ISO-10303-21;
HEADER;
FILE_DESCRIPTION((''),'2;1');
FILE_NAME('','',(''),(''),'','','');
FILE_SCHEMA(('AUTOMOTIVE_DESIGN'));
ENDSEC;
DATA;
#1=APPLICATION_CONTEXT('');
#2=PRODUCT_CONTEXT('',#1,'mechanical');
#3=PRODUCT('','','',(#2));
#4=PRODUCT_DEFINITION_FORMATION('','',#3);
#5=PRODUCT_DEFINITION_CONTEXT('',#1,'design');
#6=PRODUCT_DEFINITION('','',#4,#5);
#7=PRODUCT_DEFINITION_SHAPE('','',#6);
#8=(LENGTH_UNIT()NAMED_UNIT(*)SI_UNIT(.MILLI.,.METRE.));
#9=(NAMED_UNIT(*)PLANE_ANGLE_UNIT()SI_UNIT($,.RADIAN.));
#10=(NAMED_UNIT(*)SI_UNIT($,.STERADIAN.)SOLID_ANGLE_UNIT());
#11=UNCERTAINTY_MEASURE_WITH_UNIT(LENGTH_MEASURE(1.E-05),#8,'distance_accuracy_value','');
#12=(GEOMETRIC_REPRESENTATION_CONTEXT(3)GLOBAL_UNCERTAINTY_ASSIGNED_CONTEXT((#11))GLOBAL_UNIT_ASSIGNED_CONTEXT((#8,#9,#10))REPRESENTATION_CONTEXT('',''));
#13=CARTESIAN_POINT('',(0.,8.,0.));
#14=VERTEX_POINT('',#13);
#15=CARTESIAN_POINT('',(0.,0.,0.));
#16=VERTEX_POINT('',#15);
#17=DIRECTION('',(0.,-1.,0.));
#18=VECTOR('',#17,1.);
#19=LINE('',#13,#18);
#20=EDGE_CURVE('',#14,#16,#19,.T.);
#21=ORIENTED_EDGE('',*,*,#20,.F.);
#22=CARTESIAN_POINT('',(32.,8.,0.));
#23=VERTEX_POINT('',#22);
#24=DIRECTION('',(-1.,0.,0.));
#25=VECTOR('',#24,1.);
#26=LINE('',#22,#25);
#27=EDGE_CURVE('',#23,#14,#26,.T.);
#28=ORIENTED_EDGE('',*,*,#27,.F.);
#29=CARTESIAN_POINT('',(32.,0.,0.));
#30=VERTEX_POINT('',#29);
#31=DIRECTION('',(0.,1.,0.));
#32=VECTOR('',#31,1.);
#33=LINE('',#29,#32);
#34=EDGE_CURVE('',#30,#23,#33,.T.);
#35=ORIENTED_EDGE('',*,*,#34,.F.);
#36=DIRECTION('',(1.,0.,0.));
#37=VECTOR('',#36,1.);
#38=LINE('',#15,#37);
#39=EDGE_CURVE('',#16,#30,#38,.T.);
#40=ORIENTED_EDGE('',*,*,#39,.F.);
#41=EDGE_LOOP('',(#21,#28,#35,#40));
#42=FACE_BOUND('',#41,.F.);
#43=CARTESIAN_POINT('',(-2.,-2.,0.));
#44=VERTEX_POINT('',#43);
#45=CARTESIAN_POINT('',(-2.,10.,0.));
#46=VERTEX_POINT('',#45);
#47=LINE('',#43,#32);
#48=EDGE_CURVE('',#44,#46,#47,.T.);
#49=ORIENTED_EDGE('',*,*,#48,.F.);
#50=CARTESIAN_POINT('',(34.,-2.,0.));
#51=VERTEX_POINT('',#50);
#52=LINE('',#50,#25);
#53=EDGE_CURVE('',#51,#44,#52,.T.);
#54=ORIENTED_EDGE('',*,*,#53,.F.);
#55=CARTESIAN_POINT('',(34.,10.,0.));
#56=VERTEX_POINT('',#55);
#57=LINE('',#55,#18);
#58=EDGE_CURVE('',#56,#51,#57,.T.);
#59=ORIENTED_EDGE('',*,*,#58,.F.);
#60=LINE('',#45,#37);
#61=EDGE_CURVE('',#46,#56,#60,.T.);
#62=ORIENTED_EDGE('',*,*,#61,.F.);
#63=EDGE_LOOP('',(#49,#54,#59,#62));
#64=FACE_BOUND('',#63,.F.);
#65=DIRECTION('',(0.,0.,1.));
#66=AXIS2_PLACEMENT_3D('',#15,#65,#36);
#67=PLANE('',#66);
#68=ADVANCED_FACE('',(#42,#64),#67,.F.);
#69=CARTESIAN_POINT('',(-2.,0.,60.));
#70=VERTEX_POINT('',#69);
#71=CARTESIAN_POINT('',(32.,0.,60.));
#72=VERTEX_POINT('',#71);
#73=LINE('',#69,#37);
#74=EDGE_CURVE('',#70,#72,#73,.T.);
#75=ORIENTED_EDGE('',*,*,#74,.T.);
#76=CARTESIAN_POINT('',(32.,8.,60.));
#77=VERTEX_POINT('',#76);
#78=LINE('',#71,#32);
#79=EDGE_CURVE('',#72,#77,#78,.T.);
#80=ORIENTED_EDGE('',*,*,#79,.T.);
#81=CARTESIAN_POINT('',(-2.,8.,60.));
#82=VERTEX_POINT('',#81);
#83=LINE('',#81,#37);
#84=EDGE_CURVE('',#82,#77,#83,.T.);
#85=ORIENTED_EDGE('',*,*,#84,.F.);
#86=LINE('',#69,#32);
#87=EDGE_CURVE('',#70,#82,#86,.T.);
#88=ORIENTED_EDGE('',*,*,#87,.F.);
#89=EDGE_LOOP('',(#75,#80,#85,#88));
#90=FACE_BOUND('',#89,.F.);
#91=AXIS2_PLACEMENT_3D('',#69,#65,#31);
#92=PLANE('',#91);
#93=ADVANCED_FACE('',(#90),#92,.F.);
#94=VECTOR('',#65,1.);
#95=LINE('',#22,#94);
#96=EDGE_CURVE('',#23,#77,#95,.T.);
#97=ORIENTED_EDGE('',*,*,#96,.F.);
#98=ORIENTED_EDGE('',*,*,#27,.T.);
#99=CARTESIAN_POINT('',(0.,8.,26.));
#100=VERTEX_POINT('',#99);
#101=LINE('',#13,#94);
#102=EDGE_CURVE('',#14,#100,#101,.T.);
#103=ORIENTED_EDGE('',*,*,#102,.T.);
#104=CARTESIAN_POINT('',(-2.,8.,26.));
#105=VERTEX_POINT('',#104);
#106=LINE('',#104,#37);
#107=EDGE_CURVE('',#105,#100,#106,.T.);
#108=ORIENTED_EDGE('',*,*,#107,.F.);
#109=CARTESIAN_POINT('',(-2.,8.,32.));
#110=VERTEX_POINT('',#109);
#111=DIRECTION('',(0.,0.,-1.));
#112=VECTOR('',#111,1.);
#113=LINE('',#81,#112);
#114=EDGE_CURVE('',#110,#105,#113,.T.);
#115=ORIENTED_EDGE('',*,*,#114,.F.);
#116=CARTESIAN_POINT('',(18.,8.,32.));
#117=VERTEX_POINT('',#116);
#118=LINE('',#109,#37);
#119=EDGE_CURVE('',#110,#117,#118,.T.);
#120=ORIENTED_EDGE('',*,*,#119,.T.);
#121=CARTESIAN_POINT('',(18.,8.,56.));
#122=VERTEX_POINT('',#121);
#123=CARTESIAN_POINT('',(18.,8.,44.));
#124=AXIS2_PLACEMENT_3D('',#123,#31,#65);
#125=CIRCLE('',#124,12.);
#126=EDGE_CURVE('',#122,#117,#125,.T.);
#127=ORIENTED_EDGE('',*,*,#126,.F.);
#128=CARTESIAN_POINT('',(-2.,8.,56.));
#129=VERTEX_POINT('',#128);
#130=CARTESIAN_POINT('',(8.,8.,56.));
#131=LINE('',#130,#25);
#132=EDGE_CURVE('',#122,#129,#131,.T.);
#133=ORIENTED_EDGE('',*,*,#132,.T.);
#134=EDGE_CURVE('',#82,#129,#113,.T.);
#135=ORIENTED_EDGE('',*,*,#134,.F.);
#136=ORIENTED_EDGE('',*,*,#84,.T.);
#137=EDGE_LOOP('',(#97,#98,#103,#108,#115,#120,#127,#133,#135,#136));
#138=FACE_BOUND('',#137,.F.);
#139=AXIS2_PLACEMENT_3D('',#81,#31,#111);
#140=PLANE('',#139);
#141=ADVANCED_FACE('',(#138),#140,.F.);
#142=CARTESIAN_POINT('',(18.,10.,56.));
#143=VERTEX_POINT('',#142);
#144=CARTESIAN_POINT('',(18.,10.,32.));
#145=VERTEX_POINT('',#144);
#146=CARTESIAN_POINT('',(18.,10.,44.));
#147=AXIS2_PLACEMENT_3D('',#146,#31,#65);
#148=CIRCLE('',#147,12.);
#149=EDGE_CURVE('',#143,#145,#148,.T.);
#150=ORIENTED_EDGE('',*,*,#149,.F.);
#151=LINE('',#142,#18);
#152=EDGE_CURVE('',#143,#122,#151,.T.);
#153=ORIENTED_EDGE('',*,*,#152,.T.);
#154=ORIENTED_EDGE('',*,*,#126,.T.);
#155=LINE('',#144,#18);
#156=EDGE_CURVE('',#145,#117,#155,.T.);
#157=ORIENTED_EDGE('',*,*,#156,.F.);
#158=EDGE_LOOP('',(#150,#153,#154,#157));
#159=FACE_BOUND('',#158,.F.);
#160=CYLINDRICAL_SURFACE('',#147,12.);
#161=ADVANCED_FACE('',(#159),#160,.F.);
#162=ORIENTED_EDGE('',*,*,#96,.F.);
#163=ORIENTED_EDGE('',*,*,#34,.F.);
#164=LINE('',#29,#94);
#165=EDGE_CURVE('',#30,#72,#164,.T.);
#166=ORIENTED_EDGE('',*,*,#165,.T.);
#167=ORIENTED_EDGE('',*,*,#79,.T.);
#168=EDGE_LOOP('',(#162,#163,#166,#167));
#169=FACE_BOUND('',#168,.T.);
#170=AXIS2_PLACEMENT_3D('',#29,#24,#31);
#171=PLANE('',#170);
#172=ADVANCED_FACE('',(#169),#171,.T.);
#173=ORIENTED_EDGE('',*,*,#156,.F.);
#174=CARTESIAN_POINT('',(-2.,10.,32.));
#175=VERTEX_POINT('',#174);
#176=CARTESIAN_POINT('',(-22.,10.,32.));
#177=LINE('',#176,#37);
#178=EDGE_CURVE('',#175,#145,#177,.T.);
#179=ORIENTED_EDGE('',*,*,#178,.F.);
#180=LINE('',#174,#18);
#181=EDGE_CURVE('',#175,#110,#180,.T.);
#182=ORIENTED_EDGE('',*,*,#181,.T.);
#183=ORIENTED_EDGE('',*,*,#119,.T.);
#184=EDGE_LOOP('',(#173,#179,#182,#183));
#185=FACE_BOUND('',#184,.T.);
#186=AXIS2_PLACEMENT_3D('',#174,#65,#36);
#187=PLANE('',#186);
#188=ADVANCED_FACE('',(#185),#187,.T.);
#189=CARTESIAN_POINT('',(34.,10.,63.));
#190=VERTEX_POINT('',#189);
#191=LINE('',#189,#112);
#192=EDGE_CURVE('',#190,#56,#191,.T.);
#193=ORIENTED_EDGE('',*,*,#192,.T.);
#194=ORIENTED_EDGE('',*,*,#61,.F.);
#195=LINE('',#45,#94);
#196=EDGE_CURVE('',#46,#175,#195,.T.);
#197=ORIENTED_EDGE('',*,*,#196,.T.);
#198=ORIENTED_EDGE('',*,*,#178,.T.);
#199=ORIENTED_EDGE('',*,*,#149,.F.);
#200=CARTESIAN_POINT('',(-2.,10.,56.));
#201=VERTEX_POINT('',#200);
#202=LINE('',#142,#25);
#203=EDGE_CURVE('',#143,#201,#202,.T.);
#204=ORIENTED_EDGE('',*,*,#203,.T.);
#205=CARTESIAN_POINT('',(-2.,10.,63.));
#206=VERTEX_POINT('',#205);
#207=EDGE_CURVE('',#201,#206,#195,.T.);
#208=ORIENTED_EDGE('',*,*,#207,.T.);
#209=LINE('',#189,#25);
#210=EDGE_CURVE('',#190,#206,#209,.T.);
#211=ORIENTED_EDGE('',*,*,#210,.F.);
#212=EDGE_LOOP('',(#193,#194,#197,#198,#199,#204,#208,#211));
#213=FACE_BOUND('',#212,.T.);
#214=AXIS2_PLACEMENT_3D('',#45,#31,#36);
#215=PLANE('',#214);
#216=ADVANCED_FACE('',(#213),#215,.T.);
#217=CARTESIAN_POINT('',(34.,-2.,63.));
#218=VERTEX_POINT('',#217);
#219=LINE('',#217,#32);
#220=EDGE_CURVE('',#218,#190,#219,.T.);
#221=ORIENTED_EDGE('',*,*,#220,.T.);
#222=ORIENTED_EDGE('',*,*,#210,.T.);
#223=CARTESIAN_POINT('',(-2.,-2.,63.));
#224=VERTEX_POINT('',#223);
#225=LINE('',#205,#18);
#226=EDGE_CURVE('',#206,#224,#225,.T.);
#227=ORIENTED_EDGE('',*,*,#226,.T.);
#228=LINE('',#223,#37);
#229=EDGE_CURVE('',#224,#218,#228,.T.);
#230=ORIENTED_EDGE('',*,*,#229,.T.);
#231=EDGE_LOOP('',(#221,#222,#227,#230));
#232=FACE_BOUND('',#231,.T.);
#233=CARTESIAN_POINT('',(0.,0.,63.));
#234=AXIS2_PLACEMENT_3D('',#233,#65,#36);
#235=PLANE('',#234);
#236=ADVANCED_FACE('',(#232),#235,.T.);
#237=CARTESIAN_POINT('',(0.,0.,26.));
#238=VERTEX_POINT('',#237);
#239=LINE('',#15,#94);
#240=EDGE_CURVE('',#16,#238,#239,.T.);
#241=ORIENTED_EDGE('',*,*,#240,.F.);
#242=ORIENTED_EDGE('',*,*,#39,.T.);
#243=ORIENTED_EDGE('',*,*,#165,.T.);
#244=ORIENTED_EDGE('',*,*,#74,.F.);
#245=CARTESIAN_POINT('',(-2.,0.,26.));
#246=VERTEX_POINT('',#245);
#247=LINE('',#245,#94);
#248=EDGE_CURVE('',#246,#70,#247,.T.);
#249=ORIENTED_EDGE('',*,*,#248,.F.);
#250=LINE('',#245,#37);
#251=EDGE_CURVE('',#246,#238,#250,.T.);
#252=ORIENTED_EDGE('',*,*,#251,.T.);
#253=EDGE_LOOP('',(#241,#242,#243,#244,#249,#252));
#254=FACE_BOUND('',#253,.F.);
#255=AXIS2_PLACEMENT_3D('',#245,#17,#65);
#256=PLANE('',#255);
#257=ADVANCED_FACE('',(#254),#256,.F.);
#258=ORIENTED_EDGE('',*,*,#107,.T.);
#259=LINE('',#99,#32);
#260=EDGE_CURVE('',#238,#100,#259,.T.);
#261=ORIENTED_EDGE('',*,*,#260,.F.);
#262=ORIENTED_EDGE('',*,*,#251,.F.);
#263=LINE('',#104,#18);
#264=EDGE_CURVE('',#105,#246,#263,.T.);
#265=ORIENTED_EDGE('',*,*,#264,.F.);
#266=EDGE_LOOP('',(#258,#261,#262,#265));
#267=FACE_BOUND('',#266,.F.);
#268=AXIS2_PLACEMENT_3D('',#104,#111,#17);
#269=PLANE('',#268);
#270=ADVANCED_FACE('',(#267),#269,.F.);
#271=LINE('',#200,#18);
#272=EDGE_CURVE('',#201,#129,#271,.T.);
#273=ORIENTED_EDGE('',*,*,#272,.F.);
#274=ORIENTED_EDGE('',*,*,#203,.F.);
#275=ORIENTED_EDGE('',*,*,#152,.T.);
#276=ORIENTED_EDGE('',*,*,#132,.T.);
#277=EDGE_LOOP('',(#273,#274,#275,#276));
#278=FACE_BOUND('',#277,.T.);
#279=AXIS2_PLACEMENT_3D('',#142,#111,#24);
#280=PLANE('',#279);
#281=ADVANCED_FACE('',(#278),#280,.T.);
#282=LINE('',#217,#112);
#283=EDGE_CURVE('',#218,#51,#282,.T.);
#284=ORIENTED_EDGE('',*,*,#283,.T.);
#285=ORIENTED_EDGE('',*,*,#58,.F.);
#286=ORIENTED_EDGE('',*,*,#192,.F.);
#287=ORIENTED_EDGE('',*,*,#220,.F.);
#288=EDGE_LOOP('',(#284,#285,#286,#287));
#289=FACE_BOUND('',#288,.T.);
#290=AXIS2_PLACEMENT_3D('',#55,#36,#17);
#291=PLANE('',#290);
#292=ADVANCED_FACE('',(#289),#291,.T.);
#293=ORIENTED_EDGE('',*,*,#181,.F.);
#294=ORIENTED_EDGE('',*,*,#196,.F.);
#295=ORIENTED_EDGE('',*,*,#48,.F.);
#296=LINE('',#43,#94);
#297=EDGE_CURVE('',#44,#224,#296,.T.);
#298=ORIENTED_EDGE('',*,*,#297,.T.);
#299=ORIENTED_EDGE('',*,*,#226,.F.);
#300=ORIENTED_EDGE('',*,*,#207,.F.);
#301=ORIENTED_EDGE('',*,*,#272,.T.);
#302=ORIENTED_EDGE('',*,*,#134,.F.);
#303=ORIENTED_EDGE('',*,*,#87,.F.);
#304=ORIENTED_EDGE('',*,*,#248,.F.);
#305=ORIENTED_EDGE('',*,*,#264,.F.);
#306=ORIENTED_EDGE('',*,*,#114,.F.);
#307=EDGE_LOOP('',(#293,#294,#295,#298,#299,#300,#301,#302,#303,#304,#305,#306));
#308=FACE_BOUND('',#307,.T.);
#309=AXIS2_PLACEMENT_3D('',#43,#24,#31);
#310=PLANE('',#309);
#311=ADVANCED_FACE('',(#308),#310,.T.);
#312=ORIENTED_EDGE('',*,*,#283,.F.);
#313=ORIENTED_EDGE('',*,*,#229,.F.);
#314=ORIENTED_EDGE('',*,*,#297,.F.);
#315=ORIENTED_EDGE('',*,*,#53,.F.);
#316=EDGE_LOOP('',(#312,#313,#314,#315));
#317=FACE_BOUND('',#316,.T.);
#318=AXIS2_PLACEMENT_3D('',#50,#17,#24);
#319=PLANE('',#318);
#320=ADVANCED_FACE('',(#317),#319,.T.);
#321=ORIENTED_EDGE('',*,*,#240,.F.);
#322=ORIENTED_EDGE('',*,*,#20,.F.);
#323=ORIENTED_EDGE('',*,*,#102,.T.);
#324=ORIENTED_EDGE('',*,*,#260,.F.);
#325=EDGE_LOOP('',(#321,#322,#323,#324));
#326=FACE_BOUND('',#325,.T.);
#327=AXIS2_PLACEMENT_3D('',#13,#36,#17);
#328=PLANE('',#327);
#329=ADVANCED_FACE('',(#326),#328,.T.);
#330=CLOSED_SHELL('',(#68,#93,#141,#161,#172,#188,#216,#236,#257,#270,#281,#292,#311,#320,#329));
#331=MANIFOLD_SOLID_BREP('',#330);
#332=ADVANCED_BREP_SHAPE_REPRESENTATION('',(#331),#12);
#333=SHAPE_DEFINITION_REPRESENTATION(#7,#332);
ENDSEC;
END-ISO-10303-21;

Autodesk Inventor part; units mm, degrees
ref_plane "YZ Plane" through (0, 0, 0) normal (1, 0, 0) x (0, 1, 0)
ref_plane "XZ Plane" through (0, 0, 0) normal (0, 1, 0) x (-1, 0, 0)
ref_plane "XY Plane" through (0, 0, 0) normal (0, 0, 1) x (1, 0, 0)
sketch "Sketch1" plane through (0, 0, 0) normal (0, 0, 1) x (1, 0, 0)
  line L0 (0, 0) -> (32, 0)
  line L1 (32, 0) -> (32, 8)
  line L2 (32, 8) -> (0, 8)
  line L3 (0, 8) -> (0, 0)
  line L4 (-2, 10) -> (34, 10)
  line L5 (34, 10) -> (34, -2)
  line L6 (34, -2) -> (-2, -2)
  line L7 (-2, -2) -> (-2, 10)
  dimension "d0" = 32
  dimension "d1" = 8
  dimension "d2" = 2
  dimension "d3" = 2
  dimension "d4" = 2
  dimension "d5" = 2
extrude "Extrusion1" add sketch "Sketch1" along normal blind 60
sketch "Sketch3" plane through (0, 0, 60) normal (0, 0, 1) x (1, 0, 0)
  line L0 (34, 10) -> (-2, 10) projected
  line L1 (-2, -2) -> (34, -2) projected
  line L2 (34, -2) -> (34, 10) projected
  line L3 (34, 10) -> (-2, 10) projected
  line L4 (-2, 10) -> (-2, -2) projected
  line L5 (0, 0) -> (0, 8) projected
  line L6 (0, 8) -> (32, 8) projected
  line L7 (32, 8) -> (32, 0) projected
  line L8 (32, 0) -> (0, 0) projected
  point P0 (-2, 10)
extrude "Extrusion2" add sketch "Sketch3" along normal blind 3 contours L2 L1 L4 L0 | L5 L6 L7 L8
sketch "Sketch4" plane through (-2, -2, 0) normal (-1, 0, 0) x (0, 0, 1)
  line L0 (26, 2) -> (60, 2)
  line L1 (60, 2) -> (60, 10)
  line L2 (60, 10) -> (26, 10)
  line L3 (26, 10) -> (26, 2)
  line L4 (0, 12) -> (63, 12) projected
  line L5 (63, 12) -> (63, 0) projected
  point P0 (0, 2)
  point P1 (43, 10)
  dimension "d11" = 8
  dimension "d12" = 2
  dimension "d13" = 34
  dimension "d16" = 3
extrude "Extrusion3" cut sketch "Sketch4" against normal blind 3
sketch "Sketch2" plane through (-2, 10, 0) normal (0, 1, 0) x (1, 0, 0)
  line L0 (20, -44) -> (-20, -44) construction
  line L1 (20, -56) -> (-20, -56)
  line L2 (-20, -32) -> (20, -32)
  arc A0 (20, -56) -> (20, -32) centre (20, -44) ccw
  arc A1 (-20, -32) -> (-20, -56) centre (-20, -44) ccw
  line L3 (0, 0) -> (0, -63) projected
  point P0 (2, 0)
  point P1 (0, -44)
  point P2 (0, -26)
  point P3 (0, -60)
  point P4 (0, -32)
  point P5 (0, -56)
  dimension "d8" = 24
  dimension "d17" = 18
  dimension "d18" = 20
  dimension "d19" = 40
extrude "Extrusion4" cut sketch "Sketch2" against normal blind 3 contours L1 L3 L2 A0
properties part number "prototype2_2"
